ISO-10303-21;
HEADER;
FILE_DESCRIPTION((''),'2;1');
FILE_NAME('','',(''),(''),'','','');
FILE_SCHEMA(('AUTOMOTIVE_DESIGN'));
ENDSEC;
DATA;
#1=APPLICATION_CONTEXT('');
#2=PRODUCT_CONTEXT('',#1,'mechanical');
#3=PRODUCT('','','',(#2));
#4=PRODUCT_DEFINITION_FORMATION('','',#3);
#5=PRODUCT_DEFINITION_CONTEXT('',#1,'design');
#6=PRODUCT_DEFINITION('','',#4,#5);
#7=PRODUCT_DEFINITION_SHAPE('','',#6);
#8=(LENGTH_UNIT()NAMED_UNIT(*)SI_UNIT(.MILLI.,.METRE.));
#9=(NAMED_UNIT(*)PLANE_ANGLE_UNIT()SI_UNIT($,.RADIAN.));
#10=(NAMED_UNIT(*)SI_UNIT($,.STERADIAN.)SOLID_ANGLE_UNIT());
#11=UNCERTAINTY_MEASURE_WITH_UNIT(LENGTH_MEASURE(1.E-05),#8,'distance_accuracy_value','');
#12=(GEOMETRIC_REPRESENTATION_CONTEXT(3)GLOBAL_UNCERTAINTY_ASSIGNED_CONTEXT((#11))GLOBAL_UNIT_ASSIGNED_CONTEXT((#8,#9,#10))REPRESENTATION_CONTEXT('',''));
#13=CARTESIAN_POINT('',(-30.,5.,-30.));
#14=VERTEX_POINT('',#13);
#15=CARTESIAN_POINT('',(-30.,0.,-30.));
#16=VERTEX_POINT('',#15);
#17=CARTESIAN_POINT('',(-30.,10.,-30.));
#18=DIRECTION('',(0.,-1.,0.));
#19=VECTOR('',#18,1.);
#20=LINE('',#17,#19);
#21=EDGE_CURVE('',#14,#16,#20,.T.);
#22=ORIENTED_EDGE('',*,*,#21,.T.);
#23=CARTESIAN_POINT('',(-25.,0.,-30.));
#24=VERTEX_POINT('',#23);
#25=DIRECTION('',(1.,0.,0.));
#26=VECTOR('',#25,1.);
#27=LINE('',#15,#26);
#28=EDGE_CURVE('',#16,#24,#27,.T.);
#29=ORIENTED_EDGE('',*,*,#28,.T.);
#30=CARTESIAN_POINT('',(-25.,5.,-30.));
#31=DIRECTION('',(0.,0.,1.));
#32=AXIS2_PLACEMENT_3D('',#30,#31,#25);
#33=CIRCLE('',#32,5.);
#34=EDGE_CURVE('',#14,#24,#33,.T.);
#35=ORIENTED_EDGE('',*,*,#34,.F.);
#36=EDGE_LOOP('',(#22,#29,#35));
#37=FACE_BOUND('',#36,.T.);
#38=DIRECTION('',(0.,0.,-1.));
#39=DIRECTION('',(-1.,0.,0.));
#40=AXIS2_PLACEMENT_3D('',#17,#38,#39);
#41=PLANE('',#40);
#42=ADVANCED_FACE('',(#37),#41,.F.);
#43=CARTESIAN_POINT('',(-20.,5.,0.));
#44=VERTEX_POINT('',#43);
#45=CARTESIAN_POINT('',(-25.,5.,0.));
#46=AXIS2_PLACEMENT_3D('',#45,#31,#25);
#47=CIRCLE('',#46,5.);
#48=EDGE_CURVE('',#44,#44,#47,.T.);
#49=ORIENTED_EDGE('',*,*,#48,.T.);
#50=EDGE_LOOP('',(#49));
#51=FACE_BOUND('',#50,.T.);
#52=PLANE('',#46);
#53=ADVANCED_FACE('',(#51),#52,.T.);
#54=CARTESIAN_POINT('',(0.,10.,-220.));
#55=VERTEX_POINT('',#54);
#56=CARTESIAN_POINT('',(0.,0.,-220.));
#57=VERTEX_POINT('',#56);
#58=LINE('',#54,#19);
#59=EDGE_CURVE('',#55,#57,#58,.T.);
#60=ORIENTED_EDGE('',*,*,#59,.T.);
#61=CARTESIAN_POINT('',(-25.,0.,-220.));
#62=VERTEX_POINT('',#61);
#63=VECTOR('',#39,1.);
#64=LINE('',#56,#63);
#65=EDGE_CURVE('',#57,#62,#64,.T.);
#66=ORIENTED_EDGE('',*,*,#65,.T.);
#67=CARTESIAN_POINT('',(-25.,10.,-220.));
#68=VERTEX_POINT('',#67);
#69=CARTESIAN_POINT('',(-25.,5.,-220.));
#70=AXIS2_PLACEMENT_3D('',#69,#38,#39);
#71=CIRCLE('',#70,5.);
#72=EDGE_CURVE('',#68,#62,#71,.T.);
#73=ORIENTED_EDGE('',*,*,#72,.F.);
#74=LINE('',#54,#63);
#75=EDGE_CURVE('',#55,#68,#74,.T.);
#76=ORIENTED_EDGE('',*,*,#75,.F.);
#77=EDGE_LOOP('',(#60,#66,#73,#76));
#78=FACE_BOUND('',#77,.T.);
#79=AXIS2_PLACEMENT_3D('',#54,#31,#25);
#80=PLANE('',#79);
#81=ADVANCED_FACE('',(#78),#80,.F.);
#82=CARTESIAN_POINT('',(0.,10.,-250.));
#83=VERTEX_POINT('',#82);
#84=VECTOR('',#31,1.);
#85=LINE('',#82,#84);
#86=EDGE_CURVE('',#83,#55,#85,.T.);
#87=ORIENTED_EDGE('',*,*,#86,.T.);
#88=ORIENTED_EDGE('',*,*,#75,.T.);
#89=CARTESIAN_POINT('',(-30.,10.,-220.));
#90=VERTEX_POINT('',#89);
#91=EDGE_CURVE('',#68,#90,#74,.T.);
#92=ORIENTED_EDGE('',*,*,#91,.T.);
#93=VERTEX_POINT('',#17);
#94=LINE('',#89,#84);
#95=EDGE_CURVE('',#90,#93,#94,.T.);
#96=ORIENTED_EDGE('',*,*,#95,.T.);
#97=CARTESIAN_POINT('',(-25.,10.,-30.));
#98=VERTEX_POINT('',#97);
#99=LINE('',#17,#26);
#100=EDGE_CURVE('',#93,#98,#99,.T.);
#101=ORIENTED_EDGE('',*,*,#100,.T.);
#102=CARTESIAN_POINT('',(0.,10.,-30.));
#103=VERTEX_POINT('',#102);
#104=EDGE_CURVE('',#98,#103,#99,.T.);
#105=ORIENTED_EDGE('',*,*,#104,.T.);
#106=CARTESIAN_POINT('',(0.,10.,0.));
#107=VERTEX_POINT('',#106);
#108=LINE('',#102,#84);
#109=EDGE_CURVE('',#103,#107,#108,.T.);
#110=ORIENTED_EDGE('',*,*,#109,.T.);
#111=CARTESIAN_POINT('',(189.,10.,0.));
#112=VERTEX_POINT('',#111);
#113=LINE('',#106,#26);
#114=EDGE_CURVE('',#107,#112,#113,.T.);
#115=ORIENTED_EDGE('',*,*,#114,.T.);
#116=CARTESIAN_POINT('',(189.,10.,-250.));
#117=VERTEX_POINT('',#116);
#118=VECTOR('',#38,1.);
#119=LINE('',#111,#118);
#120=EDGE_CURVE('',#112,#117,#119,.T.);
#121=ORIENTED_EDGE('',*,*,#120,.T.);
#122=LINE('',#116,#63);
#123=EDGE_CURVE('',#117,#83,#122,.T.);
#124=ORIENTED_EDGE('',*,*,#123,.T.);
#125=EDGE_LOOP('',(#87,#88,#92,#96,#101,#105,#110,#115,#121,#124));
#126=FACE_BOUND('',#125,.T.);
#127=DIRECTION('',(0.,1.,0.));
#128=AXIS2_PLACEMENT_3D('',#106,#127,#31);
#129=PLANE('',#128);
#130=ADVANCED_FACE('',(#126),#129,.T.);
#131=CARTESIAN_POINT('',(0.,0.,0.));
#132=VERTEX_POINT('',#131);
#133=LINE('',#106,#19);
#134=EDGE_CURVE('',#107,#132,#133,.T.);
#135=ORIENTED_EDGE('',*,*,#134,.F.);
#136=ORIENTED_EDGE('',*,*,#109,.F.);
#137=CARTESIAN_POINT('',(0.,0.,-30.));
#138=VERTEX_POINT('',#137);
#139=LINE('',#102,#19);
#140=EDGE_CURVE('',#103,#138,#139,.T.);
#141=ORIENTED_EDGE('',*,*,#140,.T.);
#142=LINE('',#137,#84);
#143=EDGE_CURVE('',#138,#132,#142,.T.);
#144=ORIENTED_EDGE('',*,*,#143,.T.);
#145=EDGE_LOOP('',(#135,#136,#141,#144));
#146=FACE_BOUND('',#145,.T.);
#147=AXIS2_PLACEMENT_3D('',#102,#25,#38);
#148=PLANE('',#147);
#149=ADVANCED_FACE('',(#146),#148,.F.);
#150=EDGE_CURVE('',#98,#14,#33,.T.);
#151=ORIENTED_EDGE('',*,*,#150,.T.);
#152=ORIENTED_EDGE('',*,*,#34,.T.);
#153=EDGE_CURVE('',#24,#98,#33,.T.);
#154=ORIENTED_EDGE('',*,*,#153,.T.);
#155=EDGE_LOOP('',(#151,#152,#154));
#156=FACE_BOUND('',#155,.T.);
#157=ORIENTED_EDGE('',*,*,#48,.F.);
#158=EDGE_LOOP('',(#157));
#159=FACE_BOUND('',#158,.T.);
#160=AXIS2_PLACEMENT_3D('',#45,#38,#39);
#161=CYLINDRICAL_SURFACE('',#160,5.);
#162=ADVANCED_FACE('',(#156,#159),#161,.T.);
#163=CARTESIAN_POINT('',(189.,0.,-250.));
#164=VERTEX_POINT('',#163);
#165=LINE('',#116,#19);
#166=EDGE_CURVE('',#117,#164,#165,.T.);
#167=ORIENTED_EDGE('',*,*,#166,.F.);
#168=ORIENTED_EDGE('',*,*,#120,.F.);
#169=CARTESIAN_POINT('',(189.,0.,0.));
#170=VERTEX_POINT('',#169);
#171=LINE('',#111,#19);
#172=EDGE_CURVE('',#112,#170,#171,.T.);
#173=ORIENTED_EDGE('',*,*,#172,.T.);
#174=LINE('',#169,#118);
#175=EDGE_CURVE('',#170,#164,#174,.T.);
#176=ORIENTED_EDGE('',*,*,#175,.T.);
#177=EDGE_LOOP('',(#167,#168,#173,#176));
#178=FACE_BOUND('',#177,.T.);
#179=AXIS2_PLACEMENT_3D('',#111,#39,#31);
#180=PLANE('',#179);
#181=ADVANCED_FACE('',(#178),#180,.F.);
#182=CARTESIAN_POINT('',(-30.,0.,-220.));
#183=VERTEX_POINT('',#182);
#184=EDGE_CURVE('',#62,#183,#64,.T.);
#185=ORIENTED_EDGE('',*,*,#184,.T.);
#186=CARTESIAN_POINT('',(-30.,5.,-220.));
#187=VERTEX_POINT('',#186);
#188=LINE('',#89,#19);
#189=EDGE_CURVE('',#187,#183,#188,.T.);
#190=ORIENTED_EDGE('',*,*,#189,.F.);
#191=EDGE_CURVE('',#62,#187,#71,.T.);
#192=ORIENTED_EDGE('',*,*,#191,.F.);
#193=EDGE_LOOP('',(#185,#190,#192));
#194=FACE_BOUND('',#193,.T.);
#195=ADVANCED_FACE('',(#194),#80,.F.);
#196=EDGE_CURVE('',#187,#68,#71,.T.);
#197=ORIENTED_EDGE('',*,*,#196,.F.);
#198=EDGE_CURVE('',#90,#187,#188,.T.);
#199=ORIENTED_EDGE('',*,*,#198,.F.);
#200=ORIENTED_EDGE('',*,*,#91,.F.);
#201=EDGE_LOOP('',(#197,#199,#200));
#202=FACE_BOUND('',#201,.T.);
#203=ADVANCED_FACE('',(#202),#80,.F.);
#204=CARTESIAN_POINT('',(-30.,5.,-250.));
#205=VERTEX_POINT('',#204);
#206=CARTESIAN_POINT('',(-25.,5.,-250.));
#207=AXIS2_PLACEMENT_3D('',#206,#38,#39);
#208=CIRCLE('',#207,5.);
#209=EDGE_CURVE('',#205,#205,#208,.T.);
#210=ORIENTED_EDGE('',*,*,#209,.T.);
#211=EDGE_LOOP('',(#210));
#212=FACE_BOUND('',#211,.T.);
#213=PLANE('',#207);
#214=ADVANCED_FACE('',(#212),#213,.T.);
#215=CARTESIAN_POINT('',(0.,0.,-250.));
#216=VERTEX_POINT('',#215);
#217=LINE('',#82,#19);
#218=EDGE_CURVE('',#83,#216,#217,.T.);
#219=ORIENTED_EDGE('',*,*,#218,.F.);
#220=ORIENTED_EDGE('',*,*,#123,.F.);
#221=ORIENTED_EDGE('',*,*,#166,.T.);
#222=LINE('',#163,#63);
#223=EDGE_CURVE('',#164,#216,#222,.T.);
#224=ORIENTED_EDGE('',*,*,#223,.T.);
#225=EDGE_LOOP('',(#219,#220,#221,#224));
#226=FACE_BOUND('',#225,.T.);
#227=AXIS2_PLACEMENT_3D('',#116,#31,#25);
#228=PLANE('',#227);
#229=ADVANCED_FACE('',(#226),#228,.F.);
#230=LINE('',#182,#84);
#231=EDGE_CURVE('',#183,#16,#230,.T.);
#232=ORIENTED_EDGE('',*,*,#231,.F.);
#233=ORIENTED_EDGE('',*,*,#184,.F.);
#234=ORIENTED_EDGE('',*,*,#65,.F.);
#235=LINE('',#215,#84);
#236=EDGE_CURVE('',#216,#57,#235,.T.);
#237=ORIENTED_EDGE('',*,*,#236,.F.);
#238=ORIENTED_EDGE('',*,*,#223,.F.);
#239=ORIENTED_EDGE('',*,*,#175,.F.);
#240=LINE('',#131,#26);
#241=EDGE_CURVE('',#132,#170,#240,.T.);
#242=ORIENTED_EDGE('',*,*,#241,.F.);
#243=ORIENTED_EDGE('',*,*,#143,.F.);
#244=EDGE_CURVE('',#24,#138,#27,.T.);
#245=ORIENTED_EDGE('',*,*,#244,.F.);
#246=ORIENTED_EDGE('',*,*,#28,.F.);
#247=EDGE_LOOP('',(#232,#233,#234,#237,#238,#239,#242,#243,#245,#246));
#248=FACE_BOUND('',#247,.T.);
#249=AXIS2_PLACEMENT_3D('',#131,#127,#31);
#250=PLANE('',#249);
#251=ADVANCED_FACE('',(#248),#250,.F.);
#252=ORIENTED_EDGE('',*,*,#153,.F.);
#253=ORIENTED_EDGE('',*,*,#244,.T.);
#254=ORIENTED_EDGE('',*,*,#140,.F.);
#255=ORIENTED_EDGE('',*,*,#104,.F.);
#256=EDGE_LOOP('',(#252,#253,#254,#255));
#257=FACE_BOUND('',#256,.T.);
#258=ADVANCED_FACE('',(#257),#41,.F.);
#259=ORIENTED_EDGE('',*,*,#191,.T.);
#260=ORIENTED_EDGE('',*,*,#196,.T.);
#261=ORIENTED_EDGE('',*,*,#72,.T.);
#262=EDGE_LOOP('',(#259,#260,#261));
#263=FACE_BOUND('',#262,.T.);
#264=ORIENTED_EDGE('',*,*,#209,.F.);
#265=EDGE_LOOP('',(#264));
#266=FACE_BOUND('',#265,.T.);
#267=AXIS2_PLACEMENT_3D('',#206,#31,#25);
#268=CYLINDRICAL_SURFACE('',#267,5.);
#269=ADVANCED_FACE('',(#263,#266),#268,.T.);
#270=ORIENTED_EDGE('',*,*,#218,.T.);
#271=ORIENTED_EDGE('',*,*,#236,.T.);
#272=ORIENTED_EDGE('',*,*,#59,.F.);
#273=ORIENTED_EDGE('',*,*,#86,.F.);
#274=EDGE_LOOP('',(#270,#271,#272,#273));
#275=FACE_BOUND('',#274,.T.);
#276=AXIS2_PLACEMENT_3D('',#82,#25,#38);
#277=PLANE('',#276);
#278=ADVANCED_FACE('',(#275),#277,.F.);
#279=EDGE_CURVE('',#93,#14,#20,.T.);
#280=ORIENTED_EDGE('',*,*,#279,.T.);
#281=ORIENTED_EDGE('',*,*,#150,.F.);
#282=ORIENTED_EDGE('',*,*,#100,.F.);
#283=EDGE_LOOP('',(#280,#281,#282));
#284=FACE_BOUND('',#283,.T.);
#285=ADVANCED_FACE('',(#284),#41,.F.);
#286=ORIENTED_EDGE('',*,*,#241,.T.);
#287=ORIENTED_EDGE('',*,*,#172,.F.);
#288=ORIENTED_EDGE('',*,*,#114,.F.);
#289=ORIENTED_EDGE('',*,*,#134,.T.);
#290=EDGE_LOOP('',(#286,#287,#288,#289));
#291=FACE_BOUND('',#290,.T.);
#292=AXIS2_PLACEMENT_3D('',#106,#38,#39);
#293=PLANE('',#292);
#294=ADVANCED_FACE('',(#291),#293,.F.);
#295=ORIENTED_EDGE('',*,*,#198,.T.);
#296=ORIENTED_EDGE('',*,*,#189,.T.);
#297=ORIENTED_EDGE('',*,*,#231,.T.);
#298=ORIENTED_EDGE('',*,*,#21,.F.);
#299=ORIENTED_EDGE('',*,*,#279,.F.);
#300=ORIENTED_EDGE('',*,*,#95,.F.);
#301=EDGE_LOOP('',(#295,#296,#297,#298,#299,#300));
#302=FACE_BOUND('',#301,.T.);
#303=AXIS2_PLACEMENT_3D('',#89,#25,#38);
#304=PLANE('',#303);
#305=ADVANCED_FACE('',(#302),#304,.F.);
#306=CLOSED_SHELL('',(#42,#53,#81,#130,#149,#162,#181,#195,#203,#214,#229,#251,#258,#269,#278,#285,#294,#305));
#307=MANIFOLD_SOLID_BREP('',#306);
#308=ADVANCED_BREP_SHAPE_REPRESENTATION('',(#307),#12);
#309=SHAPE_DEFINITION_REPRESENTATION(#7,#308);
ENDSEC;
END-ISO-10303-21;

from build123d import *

# Parameters (mm, degrees)
BOSS_EXTRU_1_DEPTH = 10
ESQUISSE2_R        = 5
BOSS_EXTRU_2_DEPTH = 30
ESQUISSE3_R        = 5
BOSS_EXTRU_3_DEPTH = 30


with BuildPart() as part:
    # Esquisse1 → Boss.-Extru.1 (new body)
    with BuildSketch(Plane(origin=(0, 0, 0), x_dir=(1, 0, 0), z_dir=(0, 1, 0))):
        Polygon((0, 0), (189, 0), (189, 250), (0, 250), (0, 220), (-30, 220), (-30, 30), (0, 30), align=None)
    extrude(amount=BOSS_EXTRU_1_DEPTH)

    # Esquisse2 → Boss.-Extru.2 (add)
    with BuildSketch(Plane.XY.offset(-30)):
        with Locations((-25, 5)):
            Circle(ESQUISSE2_R)
    extrude(amount=BOSS_EXTRU_2_DEPTH)

    # Esquisse3 → Boss.-Extru.3 (add)
    with BuildSketch(Plane(origin=(0, 0, -220), x_dir=(-1, 0, 0), z_dir=(0, 0, -1))):
        with Locations((25, 5)):
            Circle(ESQUISSE3_R)
    extrude(amount=BOSS_EXTRU_3_DEPTH)


solid = part.part
